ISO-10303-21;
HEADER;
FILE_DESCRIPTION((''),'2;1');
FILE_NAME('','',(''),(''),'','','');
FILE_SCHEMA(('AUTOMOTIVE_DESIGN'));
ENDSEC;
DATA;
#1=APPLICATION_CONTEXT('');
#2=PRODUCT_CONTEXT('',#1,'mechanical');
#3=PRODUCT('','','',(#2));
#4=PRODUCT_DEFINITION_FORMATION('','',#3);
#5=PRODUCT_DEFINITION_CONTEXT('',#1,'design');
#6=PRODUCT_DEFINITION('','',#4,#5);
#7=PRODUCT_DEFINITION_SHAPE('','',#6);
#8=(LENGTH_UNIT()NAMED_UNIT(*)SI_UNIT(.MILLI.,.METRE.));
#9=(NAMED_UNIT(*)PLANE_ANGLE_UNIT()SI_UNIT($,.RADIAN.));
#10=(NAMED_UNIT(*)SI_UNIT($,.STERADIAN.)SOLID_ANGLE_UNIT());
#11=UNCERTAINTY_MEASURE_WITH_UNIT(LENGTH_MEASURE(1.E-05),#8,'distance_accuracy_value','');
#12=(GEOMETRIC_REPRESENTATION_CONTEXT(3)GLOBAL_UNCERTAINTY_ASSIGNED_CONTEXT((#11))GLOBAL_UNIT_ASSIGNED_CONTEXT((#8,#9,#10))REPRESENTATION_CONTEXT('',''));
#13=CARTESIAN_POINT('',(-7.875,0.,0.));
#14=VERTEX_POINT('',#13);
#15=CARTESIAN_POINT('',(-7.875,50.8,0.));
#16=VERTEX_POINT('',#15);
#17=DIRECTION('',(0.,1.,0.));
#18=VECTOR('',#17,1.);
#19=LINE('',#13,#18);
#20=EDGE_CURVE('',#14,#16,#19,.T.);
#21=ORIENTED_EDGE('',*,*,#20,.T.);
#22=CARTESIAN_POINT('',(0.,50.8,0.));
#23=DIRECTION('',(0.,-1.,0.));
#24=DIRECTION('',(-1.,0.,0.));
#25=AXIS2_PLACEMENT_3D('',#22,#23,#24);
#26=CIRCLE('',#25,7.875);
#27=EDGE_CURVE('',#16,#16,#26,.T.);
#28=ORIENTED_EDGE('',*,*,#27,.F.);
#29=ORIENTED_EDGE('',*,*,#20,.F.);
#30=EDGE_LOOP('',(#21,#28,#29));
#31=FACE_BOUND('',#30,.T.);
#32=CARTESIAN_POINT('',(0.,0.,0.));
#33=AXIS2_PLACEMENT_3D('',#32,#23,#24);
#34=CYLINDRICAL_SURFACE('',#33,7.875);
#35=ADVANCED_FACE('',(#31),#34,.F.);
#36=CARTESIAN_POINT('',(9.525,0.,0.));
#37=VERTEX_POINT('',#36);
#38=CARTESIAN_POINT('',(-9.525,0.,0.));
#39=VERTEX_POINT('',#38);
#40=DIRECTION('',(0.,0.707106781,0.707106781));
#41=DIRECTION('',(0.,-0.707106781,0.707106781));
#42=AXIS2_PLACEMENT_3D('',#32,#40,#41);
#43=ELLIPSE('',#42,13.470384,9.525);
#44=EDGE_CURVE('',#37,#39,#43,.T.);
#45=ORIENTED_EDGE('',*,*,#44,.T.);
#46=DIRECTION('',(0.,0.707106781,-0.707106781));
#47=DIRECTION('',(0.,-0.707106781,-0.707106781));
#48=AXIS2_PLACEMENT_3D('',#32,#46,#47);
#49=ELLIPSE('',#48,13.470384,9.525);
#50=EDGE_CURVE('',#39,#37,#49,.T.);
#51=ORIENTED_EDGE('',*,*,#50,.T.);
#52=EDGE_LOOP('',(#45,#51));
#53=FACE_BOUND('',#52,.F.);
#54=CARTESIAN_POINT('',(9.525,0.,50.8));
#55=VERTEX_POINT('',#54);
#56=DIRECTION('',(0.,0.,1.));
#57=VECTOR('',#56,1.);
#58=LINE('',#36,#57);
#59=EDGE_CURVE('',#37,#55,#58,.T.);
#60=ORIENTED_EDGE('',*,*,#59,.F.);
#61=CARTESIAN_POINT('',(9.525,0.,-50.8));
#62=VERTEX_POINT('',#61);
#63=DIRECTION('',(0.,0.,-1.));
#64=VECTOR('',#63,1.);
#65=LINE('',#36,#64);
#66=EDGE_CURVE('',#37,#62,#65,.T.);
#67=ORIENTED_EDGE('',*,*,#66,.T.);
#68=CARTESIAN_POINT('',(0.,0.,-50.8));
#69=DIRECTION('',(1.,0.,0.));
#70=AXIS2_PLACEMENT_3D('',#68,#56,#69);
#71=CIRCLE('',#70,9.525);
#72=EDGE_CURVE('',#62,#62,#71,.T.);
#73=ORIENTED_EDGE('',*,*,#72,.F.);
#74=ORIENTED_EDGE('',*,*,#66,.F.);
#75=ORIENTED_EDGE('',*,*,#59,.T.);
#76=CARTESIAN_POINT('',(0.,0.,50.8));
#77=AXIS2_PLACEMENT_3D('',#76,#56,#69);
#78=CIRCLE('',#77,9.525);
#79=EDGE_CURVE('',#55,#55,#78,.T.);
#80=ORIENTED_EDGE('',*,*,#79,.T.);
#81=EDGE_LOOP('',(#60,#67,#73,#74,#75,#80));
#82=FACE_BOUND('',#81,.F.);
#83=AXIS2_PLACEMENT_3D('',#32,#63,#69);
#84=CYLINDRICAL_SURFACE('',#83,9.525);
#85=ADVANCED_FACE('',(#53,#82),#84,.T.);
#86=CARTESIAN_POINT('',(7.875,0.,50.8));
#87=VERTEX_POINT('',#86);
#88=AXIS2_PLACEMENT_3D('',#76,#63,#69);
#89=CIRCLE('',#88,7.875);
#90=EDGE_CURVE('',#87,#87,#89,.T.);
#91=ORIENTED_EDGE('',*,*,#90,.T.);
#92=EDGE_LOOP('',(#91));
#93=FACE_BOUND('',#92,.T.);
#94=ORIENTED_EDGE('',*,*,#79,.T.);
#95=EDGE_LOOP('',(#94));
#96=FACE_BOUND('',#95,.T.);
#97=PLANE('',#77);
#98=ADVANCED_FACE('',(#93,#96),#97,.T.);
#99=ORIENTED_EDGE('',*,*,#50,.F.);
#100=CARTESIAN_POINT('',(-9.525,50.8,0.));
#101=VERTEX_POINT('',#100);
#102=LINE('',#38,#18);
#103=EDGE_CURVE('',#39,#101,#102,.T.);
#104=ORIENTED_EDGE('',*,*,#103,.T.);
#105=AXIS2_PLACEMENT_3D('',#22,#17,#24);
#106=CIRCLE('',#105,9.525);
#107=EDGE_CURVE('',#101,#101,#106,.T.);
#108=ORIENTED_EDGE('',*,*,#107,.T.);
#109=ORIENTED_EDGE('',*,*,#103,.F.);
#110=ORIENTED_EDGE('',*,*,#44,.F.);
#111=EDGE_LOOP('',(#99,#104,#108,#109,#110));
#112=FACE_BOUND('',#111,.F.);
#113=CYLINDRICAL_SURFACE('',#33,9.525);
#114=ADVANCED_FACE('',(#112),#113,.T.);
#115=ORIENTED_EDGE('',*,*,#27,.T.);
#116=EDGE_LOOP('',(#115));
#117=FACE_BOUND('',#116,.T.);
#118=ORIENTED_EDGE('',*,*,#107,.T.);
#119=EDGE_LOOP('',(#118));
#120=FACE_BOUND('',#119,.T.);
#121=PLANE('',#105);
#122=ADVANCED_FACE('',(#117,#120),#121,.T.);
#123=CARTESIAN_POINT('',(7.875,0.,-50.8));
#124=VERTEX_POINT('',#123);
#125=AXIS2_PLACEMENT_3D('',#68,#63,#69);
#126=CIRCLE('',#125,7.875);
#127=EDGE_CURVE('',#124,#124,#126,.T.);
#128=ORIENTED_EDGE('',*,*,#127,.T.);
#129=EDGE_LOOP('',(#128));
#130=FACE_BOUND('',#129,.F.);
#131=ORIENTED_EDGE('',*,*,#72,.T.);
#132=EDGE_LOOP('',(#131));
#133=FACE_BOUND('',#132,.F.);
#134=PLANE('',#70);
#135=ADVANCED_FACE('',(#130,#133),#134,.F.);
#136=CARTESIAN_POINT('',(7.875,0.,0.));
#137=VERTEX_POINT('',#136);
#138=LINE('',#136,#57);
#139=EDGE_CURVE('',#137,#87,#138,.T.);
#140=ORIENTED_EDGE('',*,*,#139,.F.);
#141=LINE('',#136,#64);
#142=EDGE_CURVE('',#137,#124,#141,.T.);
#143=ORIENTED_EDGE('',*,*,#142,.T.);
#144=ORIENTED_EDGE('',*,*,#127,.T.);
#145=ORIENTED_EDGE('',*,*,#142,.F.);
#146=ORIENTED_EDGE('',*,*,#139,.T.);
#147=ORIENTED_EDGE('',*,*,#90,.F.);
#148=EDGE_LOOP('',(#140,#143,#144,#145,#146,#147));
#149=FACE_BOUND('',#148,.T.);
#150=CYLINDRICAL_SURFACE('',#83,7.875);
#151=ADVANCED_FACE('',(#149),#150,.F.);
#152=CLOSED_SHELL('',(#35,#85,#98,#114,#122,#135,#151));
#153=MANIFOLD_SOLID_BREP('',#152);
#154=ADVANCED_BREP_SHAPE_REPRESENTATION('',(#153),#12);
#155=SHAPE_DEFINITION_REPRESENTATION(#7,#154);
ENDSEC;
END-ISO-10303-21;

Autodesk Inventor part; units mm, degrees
ref_plane "YZ Plane" through (0, 0, 0) normal (1, 0, 0) x (0, 1, 0)
ref_plane "XZ Plane" through (0, 0, 0) normal (0, 1, 0) x (-1, 0, 0)
ref_plane "XY Plane" through (0, 0, 0) normal (0, 0, 1) x (1, 0, 0)
sketch "Sketch1" plane through (0, 0, 0) normal (0, 0, 1) x (1, 0, 0)
  circle A0 centre (0, 0) radius 9.525
  dimension "d0" = 19.05
extrude "Extrusion1" add sketch "Sketch1" along normal mid plane 101.6
sketch "Sketch2" plane through (0, 0, 0) normal (0, 1, 0) x (-1, 0, 0)
  circle A0 centre (0, 0) radius 9.525
  dimension "d3" = 19.05
extrude "Extrusion2" add sketch "Sketch2" along normal blind 50.8
shell "Shell1" thickness 1.65 removed faces 3 at (2.8113, 50.8, 0.0442) at (-2.8113, 0.0442, 50.8) at (-2.8113, 0.0442, -50.8)
properties part number "AS-19.05"
